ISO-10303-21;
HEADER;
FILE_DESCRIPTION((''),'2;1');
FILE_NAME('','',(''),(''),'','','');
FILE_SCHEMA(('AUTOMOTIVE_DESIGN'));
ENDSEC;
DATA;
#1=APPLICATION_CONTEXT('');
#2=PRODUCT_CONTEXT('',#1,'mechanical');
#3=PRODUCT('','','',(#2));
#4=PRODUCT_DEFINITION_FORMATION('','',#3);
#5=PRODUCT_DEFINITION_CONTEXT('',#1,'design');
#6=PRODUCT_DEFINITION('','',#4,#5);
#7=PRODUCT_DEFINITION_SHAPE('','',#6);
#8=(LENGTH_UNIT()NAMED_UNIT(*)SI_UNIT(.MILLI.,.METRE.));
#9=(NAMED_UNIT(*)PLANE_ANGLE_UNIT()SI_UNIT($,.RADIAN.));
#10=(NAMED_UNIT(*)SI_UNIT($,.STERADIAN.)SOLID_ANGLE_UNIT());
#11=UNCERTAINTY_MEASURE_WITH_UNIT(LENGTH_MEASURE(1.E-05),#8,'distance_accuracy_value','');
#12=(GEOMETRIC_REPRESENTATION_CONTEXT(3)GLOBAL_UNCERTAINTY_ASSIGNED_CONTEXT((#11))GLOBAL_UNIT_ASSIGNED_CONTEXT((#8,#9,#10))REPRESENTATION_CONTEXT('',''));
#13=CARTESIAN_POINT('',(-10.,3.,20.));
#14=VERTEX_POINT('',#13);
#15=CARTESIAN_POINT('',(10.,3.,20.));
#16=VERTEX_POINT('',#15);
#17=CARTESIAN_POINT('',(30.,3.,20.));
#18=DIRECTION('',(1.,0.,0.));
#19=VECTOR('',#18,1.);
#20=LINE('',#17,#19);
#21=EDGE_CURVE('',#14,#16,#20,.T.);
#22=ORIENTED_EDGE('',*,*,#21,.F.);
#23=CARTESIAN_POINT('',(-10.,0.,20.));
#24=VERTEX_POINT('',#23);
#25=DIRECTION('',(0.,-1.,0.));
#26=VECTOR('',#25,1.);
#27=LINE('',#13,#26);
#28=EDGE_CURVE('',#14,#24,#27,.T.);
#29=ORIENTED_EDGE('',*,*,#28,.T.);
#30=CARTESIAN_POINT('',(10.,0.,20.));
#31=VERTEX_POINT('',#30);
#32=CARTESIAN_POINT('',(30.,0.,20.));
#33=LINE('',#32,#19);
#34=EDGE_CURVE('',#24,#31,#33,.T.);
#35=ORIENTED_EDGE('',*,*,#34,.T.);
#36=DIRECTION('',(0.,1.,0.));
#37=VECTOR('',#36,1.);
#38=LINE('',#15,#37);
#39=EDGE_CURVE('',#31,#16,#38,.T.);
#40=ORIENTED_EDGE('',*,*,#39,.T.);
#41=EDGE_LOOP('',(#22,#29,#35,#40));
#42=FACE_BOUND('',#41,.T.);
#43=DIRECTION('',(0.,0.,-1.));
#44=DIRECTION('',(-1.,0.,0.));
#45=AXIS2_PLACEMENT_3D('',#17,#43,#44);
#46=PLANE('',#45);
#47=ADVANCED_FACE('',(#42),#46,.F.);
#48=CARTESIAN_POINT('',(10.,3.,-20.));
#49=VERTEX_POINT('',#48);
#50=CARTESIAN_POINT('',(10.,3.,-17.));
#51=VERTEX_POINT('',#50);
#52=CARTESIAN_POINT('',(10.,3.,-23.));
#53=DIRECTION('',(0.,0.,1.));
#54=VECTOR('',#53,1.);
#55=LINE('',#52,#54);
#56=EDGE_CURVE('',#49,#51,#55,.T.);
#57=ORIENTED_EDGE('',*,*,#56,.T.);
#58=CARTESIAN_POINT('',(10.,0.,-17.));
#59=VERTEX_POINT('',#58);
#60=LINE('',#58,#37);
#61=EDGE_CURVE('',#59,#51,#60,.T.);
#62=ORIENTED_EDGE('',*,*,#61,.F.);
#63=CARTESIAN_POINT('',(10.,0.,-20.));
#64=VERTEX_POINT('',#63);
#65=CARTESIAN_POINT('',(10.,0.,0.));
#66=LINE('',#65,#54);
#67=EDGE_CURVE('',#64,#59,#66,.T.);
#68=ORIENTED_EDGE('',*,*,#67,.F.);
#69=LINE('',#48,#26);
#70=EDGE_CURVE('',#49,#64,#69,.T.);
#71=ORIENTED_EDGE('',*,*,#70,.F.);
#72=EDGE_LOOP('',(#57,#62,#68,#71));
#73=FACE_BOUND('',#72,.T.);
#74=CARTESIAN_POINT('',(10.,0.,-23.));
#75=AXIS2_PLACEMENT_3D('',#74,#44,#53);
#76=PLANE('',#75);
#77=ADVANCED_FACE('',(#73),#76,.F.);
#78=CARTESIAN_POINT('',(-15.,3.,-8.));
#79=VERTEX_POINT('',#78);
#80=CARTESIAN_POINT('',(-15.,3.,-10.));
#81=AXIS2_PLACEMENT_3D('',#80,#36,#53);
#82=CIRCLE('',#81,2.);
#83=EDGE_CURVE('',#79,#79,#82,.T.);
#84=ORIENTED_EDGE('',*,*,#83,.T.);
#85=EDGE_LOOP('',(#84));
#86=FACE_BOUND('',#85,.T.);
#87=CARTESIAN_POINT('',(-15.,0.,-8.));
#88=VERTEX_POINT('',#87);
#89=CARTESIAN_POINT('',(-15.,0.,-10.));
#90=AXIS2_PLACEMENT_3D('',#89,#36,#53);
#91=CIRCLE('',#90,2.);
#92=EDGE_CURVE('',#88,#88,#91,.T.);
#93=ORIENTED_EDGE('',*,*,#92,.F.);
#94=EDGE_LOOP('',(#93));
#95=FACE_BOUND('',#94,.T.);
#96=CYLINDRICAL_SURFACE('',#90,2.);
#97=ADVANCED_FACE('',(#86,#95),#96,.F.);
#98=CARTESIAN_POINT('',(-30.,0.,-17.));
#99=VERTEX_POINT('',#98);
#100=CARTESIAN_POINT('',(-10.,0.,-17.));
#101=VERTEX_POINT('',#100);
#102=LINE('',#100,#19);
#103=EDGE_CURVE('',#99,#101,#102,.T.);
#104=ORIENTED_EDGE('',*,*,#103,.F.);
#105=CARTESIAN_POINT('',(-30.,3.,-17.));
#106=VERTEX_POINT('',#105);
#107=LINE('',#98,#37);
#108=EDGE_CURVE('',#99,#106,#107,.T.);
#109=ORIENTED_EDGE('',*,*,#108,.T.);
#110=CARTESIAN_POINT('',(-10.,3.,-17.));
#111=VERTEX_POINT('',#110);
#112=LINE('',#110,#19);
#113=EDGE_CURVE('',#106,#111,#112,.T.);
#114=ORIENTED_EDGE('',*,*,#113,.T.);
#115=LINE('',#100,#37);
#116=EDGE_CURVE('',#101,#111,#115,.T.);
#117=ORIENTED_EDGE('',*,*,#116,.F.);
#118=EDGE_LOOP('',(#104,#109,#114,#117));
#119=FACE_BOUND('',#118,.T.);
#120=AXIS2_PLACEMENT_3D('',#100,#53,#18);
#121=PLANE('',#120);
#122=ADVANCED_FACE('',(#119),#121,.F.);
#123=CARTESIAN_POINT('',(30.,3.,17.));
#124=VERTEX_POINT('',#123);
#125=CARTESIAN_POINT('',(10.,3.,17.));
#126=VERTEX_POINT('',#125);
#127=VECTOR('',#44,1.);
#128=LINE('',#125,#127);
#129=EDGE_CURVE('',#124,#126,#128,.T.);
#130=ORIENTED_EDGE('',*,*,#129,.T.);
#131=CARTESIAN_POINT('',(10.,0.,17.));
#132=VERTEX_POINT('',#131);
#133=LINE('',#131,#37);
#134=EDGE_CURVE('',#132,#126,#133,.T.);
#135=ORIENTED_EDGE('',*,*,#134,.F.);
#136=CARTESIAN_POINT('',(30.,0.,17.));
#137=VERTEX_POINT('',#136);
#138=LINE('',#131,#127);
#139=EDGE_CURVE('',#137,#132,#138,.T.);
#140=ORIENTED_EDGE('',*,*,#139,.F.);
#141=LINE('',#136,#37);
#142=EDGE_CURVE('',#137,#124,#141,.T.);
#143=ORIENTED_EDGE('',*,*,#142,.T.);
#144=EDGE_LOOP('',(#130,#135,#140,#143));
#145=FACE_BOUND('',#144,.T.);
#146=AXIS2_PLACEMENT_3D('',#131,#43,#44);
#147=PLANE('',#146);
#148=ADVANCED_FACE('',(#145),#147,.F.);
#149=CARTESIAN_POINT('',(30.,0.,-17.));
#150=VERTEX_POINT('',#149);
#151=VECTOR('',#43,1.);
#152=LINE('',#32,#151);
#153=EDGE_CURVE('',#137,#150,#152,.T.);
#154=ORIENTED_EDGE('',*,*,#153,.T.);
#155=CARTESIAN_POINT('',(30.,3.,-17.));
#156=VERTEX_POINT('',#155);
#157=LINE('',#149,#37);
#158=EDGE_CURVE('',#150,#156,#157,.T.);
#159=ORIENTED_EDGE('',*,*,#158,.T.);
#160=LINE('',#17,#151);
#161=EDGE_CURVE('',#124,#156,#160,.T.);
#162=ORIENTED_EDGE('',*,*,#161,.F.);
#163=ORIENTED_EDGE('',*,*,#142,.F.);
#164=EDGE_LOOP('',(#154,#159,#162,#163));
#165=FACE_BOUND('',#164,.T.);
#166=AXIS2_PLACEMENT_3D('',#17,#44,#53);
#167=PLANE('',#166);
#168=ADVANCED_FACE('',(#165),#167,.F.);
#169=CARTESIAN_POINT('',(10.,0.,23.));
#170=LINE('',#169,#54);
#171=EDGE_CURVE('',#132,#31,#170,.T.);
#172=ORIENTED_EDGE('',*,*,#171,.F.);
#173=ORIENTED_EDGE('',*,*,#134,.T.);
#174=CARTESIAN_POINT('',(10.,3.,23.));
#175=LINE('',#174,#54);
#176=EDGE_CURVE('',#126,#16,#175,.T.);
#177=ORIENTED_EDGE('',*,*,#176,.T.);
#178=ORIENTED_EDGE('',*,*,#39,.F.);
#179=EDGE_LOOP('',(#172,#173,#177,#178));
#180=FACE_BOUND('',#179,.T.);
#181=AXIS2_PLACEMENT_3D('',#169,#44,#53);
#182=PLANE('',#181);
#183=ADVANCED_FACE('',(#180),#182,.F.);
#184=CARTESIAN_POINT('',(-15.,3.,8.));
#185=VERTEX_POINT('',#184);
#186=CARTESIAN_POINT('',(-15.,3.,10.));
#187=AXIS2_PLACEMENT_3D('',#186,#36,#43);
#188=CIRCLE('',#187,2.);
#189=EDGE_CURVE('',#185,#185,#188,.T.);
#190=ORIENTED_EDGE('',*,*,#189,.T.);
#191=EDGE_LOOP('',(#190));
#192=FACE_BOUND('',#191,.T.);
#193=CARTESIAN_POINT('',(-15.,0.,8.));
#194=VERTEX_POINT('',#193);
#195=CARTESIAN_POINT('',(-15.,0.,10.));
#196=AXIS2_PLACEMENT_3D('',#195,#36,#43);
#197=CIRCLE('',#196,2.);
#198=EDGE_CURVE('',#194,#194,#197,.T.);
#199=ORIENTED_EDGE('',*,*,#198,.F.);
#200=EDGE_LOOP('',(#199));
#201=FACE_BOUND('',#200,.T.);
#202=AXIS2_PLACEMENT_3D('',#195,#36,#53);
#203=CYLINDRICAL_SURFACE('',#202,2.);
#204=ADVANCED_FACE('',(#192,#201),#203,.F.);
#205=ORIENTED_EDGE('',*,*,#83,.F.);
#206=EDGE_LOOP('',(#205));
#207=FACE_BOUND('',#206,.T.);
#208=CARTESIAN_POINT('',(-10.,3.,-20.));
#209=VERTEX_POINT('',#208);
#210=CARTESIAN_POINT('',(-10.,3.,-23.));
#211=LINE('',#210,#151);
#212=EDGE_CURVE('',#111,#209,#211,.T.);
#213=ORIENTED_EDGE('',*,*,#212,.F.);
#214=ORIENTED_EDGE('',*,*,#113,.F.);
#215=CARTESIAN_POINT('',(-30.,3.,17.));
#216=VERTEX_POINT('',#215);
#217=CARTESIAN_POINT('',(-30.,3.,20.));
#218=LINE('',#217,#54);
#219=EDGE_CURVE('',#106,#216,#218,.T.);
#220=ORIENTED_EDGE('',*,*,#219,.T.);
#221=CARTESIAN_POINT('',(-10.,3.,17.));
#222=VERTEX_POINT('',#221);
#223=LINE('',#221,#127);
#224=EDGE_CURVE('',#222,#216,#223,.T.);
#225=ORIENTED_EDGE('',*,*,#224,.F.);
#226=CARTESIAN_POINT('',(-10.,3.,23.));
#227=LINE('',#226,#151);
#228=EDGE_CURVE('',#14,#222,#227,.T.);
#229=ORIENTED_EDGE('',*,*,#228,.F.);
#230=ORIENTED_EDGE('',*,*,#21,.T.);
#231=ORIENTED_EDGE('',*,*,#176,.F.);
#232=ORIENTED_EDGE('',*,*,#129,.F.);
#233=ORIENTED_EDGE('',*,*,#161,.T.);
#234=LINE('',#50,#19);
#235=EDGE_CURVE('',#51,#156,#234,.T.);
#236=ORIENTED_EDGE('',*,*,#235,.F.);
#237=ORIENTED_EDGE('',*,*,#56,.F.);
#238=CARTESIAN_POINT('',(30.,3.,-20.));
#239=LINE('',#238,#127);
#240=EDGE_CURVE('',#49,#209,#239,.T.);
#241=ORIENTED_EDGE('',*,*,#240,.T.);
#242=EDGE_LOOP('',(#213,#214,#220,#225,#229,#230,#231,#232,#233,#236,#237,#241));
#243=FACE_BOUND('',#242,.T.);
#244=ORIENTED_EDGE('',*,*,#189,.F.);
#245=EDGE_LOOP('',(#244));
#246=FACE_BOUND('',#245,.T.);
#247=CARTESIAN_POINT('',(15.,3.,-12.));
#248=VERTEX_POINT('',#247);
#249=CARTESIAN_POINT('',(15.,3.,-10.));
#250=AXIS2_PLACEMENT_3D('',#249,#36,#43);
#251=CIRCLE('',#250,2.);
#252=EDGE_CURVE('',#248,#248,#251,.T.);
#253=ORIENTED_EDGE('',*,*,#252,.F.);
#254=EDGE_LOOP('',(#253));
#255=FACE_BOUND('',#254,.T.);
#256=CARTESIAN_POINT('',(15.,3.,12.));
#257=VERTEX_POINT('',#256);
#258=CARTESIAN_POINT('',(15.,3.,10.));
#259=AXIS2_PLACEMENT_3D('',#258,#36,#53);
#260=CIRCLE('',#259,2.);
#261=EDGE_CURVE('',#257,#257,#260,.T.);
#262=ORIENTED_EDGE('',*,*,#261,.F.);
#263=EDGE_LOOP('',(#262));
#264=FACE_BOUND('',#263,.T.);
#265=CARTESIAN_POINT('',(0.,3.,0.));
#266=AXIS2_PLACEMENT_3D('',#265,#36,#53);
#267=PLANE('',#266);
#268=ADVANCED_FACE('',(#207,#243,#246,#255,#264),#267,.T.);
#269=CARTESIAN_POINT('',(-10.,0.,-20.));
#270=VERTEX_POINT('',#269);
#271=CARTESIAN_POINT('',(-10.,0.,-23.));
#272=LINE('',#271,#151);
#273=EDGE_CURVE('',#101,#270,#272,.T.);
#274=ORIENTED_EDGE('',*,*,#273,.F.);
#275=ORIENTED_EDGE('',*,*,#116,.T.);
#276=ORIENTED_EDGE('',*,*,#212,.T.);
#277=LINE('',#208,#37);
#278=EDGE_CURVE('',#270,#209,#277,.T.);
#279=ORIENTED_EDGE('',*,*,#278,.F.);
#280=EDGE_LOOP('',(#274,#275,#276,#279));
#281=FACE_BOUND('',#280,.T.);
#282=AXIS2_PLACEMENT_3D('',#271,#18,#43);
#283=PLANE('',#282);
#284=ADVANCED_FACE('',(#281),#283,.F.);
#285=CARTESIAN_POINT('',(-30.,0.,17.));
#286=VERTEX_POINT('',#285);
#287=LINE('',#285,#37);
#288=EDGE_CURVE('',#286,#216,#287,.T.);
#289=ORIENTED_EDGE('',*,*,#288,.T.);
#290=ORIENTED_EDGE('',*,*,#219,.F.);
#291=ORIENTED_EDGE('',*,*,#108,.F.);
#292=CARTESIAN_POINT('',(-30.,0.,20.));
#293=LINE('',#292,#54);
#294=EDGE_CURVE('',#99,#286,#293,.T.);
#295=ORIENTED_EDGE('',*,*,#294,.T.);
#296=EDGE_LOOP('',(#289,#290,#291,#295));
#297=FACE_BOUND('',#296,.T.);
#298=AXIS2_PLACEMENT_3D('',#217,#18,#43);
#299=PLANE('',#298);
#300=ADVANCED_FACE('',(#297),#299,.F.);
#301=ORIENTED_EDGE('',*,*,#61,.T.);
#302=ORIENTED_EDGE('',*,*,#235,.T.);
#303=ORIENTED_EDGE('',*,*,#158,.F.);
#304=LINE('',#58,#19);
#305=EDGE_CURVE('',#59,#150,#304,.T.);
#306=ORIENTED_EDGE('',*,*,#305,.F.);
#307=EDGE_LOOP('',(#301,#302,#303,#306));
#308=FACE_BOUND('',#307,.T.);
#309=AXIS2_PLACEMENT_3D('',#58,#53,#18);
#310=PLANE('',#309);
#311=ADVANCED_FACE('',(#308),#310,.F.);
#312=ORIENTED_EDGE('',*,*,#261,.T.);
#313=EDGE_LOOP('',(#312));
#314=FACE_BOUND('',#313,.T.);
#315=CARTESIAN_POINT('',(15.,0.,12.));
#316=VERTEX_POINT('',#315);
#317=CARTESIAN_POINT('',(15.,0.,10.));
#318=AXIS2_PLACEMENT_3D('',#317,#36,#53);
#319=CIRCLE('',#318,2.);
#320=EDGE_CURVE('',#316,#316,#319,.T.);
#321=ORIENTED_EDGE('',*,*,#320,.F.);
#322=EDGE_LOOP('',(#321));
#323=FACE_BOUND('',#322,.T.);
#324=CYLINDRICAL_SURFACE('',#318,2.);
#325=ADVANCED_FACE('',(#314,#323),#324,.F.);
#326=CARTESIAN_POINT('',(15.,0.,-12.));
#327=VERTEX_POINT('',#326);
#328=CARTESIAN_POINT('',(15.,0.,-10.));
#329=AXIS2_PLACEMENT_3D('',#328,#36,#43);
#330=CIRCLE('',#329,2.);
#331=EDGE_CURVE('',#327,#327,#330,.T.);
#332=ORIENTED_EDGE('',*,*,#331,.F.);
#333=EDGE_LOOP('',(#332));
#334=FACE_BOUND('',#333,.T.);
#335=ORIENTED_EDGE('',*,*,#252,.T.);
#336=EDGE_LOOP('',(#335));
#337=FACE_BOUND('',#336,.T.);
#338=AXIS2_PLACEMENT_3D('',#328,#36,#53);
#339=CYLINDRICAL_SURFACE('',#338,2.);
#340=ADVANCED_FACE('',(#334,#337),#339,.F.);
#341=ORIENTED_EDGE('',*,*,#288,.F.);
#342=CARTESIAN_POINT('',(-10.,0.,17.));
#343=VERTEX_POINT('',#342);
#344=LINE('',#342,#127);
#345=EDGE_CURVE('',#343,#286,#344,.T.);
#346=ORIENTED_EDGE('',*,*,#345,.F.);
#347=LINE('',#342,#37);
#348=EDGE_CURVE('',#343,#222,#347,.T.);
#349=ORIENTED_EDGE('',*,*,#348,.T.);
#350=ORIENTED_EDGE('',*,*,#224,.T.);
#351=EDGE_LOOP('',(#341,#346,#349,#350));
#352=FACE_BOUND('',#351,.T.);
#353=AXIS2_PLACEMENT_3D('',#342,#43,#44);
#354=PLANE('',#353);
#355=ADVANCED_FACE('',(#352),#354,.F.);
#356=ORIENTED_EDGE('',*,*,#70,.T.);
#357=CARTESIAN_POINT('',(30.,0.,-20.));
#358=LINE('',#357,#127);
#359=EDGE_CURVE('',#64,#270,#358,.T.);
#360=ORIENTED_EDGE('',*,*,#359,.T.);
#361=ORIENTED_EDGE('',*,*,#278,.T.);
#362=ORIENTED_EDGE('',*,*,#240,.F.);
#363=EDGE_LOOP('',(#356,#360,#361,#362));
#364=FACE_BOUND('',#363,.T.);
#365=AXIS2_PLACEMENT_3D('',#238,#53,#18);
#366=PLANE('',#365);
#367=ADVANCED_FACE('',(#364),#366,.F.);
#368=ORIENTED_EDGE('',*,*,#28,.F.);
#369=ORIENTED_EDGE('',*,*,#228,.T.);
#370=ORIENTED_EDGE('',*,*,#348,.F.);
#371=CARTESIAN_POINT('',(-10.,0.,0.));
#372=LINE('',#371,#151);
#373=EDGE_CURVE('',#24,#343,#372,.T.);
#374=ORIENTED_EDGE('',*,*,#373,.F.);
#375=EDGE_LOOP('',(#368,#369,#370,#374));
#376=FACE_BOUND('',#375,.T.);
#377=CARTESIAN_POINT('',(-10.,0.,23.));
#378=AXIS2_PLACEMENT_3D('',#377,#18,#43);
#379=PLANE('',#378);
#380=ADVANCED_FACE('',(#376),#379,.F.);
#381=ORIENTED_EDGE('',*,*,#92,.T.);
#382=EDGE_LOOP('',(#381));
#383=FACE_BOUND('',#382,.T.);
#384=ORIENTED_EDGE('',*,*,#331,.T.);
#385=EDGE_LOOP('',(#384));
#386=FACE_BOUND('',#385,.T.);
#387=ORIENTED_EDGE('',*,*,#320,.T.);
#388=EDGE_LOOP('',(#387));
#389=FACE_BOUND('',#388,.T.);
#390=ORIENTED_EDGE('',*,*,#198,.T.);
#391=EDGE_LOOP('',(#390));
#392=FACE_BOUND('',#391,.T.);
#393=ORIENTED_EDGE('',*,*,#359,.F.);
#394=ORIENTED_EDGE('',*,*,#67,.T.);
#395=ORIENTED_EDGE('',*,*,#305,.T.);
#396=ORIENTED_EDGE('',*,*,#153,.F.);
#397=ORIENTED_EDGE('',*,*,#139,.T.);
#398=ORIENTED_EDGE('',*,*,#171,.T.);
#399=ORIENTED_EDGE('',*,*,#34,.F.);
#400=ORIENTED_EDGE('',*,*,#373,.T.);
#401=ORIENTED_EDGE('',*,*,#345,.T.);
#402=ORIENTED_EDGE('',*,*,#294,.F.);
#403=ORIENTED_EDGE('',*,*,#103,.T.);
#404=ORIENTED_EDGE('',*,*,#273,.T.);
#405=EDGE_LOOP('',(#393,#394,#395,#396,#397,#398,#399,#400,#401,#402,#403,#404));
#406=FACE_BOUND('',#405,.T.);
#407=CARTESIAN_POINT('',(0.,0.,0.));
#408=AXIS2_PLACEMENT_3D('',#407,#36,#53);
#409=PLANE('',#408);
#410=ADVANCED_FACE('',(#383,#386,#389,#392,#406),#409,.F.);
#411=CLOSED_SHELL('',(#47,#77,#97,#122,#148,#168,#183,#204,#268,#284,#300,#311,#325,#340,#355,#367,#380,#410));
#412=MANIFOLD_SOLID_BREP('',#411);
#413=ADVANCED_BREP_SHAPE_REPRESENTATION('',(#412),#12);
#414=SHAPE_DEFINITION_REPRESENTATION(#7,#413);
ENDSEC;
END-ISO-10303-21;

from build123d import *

# Parameters (mm, degrees)
SKETCH1_W           = 60
SKETCH1_H           = 40
BOSS_EXTRUDE1_DEPTH = 3
SKETCH2_W           = 20
SKETCH2_H           = 6
CUT_EXTRUDE1_DEPTH  = 3
SKETCH3_R           = 2
CUT_EXTRUDE2_DEPTH  = 3


with BuildPart() as part:
    # Sketch1 → Boss-Extrude1 (new body)
    with BuildSketch(Plane(origin=(0, 0, 0), x_dir=(1, 0, 0), z_dir=(0, 1, 0))):
        Rectangle(SKETCH1_W, SKETCH1_H)
    extrude(amount=BOSS_EXTRUDE1_DEPTH)

    # Sketch2 → Cut-Extrude1 (cut)
    with BuildSketch(Plane(origin=(0, 3, 0), x_dir=(1, 0, 0), z_dir=(0, 1, 0))):
        with Locations((-20, -20)):
            Rectangle(SKETCH2_W, SKETCH2_H)
        with Locations((20, -20)):
            Rectangle(SKETCH2_W, SKETCH2_H)
        with Locations((20, 20)):
            Rectangle(SKETCH2_W, SKETCH2_H)
        with Locations((-20, 20)):
            Rectangle(SKETCH2_W, SKETCH2_H)
    extrude(amount=-CUT_EXTRUDE1_DEPTH, mode=Mode.SUBTRACT)

    # Sketch3 → Cut-Extrude2 (cut)
    with BuildSketch(Plane(origin=(0, 3, 0), x_dir=(1, 0, 0), z_dir=(0, 1, 0))):
        with Locations(Location((-15, 10, 0), (0, 0, 270))):
            Circle(SKETCH3_R)
        with Locations(Location((-15, -10, 0), (0, 0, 90))):
            Circle(SKETCH3_R)
        with Locations(Location((15, -10, 0), (0, 0, 270))):
            Circle(SKETCH3_R)
        with Locations(Location((15, 10, 0), (0, 0, 90))):
            Circle(SKETCH3_R)
    extrude(amount=-CUT_EXTRUDE2_DEPTH, mode=Mode.SUBTRACT)


solid = part.part
